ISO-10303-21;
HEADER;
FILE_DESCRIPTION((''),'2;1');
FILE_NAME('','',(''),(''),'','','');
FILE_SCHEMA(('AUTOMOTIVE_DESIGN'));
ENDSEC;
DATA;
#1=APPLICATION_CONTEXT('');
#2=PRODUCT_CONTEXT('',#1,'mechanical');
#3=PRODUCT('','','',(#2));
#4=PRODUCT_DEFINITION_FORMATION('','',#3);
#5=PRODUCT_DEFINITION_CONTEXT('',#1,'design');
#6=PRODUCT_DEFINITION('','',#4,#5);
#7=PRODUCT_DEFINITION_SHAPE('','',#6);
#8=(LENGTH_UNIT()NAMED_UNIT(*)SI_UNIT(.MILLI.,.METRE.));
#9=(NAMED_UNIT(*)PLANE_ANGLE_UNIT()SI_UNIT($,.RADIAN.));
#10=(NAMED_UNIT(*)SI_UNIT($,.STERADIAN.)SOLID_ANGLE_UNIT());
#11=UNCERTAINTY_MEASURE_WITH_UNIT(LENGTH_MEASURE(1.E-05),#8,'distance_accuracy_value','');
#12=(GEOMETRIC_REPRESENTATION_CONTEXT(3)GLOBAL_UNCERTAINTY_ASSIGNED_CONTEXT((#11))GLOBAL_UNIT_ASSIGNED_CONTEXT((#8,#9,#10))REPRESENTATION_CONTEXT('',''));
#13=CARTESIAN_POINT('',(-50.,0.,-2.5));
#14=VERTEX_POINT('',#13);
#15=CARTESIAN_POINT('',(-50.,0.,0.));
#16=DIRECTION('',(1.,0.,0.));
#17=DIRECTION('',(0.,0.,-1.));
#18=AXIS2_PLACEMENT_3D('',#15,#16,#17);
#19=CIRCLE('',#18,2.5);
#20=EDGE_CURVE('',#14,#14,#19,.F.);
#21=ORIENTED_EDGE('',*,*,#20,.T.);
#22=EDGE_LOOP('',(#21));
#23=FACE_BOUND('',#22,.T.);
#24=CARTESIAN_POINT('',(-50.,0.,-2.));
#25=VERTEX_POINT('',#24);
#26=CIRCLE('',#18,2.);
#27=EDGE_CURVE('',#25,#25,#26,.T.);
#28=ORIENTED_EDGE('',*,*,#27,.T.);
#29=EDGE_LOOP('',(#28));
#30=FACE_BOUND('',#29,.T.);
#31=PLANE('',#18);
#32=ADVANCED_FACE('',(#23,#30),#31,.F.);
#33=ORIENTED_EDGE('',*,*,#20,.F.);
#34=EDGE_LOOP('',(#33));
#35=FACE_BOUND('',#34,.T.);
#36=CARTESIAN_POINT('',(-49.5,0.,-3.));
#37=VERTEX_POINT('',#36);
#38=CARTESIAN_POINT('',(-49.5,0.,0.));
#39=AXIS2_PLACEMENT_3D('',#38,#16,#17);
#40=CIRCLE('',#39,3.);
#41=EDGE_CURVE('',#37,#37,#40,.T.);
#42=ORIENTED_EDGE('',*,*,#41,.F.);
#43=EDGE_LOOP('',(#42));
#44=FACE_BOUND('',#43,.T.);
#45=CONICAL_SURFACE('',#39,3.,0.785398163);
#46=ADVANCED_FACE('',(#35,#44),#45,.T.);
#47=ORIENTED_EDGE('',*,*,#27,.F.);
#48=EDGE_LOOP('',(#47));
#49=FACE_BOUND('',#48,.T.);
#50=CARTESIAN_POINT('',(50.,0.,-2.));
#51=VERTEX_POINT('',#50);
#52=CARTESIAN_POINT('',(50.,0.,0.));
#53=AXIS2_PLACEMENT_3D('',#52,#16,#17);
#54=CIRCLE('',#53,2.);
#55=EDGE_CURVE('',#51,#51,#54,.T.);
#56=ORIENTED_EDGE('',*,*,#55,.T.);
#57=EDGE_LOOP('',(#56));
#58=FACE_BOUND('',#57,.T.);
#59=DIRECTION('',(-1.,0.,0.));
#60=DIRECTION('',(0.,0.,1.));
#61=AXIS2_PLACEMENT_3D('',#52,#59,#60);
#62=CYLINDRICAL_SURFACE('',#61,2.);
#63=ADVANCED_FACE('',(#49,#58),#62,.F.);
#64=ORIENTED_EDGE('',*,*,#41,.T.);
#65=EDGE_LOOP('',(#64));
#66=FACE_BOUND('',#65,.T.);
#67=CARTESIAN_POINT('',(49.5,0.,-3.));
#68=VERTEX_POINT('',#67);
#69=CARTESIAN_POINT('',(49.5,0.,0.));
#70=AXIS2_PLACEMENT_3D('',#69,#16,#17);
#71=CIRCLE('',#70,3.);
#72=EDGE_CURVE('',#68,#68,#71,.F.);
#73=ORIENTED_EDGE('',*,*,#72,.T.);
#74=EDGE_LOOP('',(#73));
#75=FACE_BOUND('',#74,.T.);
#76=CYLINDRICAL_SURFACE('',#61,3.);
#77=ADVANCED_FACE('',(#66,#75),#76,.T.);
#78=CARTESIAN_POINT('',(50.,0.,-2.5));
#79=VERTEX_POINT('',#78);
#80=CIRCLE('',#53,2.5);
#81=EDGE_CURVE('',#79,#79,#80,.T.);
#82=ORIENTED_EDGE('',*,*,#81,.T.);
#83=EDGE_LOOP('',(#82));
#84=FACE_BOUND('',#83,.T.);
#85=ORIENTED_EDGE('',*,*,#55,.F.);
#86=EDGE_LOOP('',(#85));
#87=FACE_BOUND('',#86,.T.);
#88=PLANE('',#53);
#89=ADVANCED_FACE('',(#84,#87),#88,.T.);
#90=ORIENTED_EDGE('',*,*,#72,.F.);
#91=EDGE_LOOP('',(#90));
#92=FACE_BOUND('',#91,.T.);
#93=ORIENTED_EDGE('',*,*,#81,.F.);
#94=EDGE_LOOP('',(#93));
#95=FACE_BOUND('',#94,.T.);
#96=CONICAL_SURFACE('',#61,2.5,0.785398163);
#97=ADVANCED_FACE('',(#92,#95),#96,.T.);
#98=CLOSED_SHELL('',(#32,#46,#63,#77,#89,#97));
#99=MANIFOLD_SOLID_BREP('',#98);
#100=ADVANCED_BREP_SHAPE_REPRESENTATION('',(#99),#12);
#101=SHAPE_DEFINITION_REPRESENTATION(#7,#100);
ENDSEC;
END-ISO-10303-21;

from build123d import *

# Parameters (mm, degrees)
ESQUISSE1_R        = 3
ESQUISSE1_R_2      = 2
BOSS_EXTRU_1_DEPTH = 50
CHANFREIN1_SIZE    = 0.5


with BuildPart() as part:
    # Esquisse1 → Boss.-Extru.1 (new, symmetric)
    with BuildSketch(Plane(origin=(0, 0, 0), x_dir=(0, 0, -1), z_dir=(1, 0, 0))):
        Circle(ESQUISSE1_R)
        Circle(ESQUISSE1_R_2, mode=Mode.SUBTRACT)
    extrude(amount=BOSS_EXTRU_1_DEPTH, both=True)

    # Chanfrein1
    chanfrein1_edges = [part.edges().sort_by_distance(p)[0] for p in [
        (-50, 0, 3),
        (50, 0, 3),
    ]]
    chamfer(chanfrein1_edges, length=CHANFREIN1_SIZE)


solid = part.part
